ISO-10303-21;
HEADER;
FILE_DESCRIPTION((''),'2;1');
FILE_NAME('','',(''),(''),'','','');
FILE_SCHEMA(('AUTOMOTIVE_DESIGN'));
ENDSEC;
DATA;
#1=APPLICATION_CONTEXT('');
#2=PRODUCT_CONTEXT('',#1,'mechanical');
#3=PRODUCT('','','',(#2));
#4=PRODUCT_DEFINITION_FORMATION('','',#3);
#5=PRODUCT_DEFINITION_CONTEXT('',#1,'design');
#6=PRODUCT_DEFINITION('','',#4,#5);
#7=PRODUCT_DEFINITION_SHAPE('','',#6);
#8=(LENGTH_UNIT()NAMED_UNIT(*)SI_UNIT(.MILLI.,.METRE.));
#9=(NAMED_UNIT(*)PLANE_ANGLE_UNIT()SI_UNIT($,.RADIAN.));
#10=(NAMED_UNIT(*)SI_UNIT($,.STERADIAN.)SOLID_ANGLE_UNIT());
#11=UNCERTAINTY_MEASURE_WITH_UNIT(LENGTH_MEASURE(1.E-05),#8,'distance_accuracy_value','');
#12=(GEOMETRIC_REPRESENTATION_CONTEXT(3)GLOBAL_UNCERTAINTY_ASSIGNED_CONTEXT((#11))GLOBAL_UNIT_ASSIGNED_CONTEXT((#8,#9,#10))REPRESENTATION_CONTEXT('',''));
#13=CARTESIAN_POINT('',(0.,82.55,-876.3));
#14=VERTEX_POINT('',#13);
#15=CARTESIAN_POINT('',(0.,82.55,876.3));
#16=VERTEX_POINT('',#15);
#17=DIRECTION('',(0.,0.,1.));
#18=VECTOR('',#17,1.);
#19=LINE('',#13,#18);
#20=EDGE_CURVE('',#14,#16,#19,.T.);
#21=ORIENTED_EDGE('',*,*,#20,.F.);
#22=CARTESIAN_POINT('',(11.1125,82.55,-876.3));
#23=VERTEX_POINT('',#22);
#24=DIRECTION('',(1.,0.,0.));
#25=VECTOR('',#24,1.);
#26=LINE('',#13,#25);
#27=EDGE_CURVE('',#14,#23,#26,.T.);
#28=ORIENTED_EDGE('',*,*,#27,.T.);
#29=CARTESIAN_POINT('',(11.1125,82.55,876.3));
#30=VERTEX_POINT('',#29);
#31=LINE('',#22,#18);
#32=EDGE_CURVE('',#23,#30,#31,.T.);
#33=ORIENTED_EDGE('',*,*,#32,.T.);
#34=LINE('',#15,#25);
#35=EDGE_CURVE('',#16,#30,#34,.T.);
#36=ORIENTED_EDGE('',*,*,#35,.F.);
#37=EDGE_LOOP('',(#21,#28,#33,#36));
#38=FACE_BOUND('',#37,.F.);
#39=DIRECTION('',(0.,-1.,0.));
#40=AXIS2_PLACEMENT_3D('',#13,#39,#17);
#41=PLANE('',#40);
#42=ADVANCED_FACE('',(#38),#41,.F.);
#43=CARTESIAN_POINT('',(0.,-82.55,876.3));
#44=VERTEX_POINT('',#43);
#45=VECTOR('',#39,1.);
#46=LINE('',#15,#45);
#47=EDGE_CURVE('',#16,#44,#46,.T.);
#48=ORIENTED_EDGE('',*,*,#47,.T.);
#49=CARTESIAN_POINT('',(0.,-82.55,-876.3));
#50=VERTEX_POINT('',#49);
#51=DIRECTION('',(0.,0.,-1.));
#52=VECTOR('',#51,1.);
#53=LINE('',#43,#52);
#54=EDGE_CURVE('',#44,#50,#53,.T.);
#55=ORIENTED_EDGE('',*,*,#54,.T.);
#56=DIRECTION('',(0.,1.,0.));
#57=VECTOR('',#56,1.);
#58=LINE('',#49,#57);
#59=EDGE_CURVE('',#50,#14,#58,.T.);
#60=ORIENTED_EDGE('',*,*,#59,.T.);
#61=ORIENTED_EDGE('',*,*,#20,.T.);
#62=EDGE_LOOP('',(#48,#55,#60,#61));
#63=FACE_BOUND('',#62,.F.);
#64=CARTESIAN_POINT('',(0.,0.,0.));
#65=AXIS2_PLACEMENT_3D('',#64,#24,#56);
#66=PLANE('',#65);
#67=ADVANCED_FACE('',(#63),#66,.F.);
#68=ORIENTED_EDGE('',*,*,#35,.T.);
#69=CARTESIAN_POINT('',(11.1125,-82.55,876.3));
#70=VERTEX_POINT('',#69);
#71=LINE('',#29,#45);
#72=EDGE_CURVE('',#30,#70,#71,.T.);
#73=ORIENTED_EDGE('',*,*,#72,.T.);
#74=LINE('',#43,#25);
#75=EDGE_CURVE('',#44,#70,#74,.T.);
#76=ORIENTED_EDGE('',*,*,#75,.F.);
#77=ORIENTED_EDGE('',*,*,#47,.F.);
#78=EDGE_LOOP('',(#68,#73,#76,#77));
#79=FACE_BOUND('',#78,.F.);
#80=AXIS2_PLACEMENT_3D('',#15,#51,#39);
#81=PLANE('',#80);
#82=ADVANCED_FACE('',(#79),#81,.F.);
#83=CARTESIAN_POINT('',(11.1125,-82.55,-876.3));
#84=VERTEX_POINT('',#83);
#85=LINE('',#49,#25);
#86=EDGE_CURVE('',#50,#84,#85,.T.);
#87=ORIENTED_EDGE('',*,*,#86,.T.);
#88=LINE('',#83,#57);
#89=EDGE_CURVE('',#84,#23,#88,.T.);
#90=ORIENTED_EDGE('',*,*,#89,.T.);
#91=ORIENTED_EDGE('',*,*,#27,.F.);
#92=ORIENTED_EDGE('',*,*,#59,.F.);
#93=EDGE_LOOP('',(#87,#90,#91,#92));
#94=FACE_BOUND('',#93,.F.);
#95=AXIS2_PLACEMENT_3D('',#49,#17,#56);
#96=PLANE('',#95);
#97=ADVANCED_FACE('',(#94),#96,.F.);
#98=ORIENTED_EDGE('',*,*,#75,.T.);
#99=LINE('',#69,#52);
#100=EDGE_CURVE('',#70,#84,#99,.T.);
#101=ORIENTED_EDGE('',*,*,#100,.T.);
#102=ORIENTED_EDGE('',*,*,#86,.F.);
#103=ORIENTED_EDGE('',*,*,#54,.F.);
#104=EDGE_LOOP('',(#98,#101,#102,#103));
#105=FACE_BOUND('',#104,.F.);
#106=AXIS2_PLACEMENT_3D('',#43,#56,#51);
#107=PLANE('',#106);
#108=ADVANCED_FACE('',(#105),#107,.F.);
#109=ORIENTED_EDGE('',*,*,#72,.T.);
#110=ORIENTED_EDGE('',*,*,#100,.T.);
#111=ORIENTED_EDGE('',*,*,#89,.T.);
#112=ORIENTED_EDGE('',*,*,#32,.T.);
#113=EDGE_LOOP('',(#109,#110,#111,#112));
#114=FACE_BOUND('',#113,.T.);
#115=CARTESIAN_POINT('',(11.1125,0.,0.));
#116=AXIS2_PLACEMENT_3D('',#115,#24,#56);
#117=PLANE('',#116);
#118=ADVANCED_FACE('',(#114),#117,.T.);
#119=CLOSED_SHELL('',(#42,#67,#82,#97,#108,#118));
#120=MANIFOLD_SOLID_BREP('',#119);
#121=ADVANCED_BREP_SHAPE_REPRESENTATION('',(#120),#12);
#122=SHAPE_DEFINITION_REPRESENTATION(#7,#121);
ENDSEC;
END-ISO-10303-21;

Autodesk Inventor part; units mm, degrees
ref_plane "YZ Plane" through (0, 0, 0) normal (1, 0, 0) x (0, 1, 0)
ref_plane "XZ Plane" through (0, 0, 0) normal (0, 1, 0) x (-1, 0, 0)
ref_plane "XY Plane" through (0, 0, 0) normal (0, 0, 1) x (1, 0, 0)
sketch "Sketch1" plane through (0, 0, 0) normal (1, 0, 0) x (0, 1, 0)
  line L0 (-82.55, 876.3) -> (-82.55, -876.3)
  line L1 (-82.55, -876.3) -> (82.55, -876.3)
  line L2 (82.55, -876.3) -> (82.55, 876.3)
  line L3 (82.55, 876.3) -> (-82.55, 876.3)
  line L4 (-82.55, 876.3) -> (82.55, -876.3) construction
  line L5 (-82.55, -876.3) -> (82.55, 876.3) construction
  point P0 (0, 0)
  dimension "d0" = 1752.6
  dimension "d1" = 165.1
extrude "Extrusion1" add sketch "Sketch1" along normal blind 11.1125
properties part number "Home Depot Composite Slat 63_75 in" material "Wood (Cherry)"
